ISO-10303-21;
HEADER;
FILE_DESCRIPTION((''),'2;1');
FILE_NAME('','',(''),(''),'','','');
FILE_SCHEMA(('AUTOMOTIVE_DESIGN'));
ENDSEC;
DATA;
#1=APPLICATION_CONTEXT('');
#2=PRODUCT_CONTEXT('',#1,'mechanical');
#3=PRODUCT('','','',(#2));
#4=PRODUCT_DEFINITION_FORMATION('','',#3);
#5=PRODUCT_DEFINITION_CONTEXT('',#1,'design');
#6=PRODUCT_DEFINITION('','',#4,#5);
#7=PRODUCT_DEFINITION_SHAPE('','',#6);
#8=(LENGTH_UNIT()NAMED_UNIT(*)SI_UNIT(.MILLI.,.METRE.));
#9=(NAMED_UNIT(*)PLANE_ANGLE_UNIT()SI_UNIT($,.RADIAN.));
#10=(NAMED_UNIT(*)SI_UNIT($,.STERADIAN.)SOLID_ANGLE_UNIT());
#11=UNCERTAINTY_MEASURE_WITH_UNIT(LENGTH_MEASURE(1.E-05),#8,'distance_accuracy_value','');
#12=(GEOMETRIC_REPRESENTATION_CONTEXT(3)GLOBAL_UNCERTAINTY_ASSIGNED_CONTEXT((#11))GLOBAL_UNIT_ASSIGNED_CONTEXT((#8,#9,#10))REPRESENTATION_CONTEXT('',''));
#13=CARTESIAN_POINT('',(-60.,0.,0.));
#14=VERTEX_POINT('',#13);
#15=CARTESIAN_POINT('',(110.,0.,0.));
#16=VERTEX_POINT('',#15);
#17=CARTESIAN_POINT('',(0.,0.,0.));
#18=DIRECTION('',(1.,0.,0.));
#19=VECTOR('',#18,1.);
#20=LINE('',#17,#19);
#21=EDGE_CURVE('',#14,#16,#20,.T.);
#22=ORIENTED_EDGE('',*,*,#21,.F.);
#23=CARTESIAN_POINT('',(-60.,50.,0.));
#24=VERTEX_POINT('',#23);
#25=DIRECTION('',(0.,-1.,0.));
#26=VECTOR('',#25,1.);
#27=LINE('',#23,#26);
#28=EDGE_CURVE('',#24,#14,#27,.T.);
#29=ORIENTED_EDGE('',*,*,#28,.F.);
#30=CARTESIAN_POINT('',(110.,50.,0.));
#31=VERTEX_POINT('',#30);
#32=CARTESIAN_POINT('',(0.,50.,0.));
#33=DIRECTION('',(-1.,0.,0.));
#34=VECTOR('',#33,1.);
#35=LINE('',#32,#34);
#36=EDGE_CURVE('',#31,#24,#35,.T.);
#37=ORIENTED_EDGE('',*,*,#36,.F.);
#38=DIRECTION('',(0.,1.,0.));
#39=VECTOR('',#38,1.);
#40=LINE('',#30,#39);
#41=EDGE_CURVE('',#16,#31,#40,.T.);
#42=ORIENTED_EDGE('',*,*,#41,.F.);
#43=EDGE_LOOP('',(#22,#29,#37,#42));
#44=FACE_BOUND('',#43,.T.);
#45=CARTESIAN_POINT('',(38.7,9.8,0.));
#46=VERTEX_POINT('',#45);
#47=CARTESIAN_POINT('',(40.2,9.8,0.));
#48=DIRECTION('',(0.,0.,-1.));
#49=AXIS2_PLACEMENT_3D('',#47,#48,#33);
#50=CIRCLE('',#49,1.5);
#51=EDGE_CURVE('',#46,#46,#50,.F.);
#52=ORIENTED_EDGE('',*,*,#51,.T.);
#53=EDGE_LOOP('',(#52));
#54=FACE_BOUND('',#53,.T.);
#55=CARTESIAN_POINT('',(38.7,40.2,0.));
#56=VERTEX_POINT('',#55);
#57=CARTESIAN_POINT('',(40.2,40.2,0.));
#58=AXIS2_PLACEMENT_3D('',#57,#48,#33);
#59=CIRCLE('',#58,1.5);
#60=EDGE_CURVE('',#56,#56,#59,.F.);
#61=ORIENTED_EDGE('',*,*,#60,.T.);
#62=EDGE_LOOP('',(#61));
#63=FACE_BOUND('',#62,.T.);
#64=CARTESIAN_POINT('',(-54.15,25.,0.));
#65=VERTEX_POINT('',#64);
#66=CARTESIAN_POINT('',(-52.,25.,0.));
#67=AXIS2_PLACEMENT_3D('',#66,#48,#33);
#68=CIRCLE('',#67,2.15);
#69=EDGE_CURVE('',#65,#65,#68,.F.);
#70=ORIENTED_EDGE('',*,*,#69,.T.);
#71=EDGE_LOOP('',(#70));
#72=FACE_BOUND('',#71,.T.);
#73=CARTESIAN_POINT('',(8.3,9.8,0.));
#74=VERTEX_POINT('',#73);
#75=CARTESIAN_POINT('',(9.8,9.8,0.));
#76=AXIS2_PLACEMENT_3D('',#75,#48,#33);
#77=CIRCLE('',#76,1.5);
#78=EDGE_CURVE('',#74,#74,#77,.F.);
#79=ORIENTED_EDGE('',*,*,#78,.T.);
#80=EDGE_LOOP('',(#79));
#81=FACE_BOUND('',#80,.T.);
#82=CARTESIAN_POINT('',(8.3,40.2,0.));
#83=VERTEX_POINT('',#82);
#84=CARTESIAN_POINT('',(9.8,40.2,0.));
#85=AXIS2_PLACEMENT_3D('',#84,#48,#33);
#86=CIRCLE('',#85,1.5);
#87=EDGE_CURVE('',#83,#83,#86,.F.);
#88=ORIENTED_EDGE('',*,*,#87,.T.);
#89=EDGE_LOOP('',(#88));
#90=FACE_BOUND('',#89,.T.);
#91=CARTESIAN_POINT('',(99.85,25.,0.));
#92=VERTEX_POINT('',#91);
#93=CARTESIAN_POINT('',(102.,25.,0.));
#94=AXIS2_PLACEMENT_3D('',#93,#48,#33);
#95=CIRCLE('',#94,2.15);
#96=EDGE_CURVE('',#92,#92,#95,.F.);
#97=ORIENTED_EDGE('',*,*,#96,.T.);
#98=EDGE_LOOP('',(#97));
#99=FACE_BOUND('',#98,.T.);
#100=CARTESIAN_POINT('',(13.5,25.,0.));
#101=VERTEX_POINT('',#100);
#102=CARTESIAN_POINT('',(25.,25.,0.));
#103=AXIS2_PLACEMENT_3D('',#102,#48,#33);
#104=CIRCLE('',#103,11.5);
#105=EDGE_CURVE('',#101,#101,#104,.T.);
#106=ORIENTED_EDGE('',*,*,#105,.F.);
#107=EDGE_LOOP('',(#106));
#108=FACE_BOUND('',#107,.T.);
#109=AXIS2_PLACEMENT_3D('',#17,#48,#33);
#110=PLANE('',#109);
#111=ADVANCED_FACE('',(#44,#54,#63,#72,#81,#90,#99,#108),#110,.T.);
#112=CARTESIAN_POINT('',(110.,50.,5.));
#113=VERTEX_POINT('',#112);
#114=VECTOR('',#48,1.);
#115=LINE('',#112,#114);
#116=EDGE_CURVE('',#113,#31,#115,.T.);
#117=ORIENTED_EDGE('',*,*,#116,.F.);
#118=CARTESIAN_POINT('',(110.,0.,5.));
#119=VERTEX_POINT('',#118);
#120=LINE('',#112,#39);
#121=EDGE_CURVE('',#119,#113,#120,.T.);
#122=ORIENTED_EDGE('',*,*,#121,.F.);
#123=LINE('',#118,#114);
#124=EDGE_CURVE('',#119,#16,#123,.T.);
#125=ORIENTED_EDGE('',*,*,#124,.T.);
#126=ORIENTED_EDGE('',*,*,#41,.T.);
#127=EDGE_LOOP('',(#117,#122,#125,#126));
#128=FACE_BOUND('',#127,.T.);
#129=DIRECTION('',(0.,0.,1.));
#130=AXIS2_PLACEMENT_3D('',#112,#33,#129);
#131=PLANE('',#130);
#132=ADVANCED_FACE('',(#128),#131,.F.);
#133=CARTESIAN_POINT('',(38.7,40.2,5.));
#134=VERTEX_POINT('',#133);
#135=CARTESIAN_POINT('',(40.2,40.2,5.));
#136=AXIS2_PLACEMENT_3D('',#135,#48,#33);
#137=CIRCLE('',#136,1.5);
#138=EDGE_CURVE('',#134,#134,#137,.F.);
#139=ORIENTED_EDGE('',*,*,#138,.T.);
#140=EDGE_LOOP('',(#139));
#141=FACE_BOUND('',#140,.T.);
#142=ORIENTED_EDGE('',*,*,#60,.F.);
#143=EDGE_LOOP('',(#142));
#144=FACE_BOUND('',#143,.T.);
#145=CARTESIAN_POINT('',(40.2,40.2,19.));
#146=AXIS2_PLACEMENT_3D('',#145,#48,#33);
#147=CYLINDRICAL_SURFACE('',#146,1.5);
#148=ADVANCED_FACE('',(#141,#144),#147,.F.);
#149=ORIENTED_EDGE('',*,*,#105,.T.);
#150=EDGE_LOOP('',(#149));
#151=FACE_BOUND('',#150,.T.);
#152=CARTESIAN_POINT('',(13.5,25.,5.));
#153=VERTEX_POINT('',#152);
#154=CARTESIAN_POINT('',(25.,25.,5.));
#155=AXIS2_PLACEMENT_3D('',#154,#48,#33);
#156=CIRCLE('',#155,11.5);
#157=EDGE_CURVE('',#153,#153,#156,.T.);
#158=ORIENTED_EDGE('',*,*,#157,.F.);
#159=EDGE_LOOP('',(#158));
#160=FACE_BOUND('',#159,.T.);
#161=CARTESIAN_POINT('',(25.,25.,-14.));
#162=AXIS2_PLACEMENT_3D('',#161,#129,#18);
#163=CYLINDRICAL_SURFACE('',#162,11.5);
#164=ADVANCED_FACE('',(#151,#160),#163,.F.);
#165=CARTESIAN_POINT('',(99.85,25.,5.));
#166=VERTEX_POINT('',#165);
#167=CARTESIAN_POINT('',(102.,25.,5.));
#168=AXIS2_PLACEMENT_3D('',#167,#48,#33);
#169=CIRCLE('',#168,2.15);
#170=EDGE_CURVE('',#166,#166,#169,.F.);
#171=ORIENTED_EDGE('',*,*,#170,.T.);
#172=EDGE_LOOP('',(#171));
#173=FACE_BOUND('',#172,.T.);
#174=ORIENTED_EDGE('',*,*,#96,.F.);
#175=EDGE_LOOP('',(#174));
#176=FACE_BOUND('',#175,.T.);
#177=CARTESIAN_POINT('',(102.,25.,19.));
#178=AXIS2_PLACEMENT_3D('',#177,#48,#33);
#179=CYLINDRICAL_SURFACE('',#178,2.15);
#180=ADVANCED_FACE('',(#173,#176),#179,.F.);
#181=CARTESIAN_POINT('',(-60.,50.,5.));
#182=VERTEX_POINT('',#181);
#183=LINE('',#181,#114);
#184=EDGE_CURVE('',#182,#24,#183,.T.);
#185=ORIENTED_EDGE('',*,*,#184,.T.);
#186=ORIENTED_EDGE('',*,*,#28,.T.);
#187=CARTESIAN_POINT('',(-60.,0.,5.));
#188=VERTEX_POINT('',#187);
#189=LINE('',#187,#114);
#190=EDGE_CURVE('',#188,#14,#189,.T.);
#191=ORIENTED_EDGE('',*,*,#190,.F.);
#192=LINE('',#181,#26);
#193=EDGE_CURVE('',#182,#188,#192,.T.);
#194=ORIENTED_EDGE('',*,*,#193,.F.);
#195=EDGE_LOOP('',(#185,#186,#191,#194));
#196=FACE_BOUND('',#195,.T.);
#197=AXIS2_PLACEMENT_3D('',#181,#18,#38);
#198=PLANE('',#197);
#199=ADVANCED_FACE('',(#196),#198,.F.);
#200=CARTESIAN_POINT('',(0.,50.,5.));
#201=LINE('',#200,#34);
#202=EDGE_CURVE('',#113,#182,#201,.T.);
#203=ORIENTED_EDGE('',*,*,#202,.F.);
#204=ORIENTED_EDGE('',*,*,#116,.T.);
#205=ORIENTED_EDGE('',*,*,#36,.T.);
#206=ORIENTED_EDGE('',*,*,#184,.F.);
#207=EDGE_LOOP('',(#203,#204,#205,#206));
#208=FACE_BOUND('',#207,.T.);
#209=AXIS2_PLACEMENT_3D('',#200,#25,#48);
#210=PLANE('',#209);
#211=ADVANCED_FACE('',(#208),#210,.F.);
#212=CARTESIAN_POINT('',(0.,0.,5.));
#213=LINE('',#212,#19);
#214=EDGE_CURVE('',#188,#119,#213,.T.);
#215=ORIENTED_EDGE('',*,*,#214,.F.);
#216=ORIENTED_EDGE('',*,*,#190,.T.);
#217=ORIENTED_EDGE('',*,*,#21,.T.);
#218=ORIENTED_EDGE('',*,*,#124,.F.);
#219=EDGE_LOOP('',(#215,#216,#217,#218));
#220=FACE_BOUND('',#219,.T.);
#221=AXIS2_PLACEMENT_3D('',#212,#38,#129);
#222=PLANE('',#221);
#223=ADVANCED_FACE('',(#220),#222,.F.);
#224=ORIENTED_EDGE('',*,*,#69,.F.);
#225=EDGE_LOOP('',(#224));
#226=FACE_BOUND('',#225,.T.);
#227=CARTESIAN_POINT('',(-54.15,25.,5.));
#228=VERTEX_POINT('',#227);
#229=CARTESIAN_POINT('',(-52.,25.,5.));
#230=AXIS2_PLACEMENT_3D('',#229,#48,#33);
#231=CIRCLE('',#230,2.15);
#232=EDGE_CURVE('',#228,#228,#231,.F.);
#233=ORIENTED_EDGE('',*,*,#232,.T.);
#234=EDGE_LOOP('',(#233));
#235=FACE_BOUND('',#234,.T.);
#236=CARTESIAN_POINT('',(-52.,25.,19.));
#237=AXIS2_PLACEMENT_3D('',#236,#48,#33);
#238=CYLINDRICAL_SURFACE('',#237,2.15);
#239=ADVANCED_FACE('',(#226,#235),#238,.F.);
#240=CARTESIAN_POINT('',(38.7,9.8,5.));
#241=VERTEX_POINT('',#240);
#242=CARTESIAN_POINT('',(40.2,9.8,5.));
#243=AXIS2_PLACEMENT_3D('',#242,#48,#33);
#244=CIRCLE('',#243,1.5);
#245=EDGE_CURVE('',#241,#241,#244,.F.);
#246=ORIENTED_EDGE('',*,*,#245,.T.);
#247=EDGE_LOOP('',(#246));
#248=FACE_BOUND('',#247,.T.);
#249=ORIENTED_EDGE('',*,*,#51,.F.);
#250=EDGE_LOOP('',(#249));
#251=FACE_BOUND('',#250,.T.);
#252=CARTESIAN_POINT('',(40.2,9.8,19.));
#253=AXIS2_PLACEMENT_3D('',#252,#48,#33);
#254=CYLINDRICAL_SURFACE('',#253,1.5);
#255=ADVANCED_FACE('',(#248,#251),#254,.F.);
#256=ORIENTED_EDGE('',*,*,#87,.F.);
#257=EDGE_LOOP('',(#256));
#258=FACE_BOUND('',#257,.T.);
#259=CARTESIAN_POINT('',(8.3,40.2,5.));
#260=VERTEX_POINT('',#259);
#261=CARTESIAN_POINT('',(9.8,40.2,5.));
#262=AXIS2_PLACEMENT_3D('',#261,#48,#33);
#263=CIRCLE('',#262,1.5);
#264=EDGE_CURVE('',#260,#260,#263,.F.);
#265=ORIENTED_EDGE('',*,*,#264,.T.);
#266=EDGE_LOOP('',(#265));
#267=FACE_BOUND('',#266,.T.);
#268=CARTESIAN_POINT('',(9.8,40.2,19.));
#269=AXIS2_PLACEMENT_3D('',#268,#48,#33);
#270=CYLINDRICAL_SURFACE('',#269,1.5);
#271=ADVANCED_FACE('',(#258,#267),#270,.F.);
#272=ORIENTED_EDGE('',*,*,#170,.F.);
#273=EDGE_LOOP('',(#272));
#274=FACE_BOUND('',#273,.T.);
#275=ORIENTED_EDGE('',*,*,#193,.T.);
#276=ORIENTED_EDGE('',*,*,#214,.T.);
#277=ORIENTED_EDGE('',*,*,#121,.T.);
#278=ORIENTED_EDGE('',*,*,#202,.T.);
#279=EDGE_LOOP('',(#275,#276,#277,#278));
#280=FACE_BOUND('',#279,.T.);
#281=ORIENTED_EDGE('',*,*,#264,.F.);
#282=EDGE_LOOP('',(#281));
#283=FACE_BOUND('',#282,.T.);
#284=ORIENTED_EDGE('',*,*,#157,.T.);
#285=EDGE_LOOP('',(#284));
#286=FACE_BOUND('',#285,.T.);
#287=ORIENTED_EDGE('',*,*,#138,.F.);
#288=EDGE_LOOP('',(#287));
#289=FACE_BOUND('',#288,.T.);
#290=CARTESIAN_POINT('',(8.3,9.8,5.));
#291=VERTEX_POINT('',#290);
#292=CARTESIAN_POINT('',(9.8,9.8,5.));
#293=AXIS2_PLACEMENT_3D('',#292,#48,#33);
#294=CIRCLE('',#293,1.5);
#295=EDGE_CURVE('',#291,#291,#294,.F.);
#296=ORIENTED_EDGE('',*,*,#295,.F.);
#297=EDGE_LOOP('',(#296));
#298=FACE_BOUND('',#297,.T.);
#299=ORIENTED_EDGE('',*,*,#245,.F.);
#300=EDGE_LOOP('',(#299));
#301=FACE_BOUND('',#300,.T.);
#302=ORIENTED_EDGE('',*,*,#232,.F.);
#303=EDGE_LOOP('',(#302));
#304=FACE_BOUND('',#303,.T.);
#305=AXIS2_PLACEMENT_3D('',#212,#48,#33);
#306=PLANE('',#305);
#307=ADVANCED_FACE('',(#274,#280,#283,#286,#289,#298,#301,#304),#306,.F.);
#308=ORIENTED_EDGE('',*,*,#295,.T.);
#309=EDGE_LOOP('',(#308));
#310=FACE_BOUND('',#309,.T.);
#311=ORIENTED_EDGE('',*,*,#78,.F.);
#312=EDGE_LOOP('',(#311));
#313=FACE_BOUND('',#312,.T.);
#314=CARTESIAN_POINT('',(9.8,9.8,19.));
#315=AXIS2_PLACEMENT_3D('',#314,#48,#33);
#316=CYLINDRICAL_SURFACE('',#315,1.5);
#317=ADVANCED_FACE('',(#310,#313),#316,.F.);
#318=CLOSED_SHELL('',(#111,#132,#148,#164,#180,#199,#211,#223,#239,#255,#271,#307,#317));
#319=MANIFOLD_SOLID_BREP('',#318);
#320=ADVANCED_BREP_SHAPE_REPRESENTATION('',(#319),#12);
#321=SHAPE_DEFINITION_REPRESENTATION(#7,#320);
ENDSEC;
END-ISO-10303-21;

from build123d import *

# Parameters (mm, degrees)
ESBO_O1_W                  = 50
ESBO_O1_H                  = 50
RESSALTO_EXTRUS_O1_DEPTH   = 5
ESBO_O2_R                  = 11.5
CORTE_EXTRUS_O1_DEPTH      = 8
CORTE_EXTRUS_O1_DEPTH_BACK = 14
ESBO_O3_W                  = 60
ESBO_O3_H                  = 50
RESSALTO_EXTRUS_O2_DEPTH   = 5
ESBO_O4_R                  = 2.15
ESBO_O4_R_2                = 1.5
CORTE_EXTRUS_O2_DEPTH      = 19
CORTE_EXTRUS_O2_DEPTH_BACK = 12


with BuildPart() as part:
    # Esboço1 → Ressalto-extrusão1 (new body)
    with BuildSketch(Plane.XY):
        with Locations((25, 25)):
            Rectangle(ESBO_O1_W, ESBO_O1_H)
    extrude(amount=RESSALTO_EXTRUS_O1_DEPTH)

    # Esboço2 → Corte-extrusão1 (cut, two sides)
    with BuildSketch(Plane.XY) as corte_extrus_o1_sk:
        with Locations((25, 25)):
            Circle(ESBO_O2_R)
    extrude(amount=CORTE_EXTRUS_O1_DEPTH, mode=Mode.SUBTRACT)
    extrude(corte_extrus_o1_sk.sketch, amount=-CORTE_EXTRUS_O1_DEPTH_BACK, mode=Mode.SUBTRACT)

    # Esboço3 → Ressalto-extrusão2 (add)
    with BuildSketch(Plane.XY):
        with Locations((-30, 25)):
            Rectangle(ESBO_O3_W, ESBO_O3_H)
        with Locations((80, 25)):
            Rectangle(ESBO_O3_W, ESBO_O3_H)
    extrude(amount=RESSALTO_EXTRUS_O2_DEPTH)

    # Esboço4 → Corte-extrusão2 (cut, two sides)
    with BuildSketch(Plane.XY) as corte_extrus_o2_sk:
        with Locations((-52, 25)):
            Circle(ESBO_O4_R)
        with Locations((102, 25)):
            Circle(ESBO_O4_R)
        with Locations((9.8, 40.2)):
            Circle(ESBO_O4_R_2)
        with Locations((40.2, 40.2)):
            Circle(ESBO_O4_R_2)
        with Locations((40.2, 9.8)):
            Circle(ESBO_O4_R_2)
        with Locations((9.8, 9.8)):
            Circle(ESBO_O4_R_2)
    extrude(amount=CORTE_EXTRUS_O2_DEPTH, mode=Mode.SUBTRACT)
    extrude(corte_extrus_o2_sk.sketch, amount=-CORTE_EXTRUS_O2_DEPTH_BACK, mode=Mode.SUBTRACT)


solid = part.part
